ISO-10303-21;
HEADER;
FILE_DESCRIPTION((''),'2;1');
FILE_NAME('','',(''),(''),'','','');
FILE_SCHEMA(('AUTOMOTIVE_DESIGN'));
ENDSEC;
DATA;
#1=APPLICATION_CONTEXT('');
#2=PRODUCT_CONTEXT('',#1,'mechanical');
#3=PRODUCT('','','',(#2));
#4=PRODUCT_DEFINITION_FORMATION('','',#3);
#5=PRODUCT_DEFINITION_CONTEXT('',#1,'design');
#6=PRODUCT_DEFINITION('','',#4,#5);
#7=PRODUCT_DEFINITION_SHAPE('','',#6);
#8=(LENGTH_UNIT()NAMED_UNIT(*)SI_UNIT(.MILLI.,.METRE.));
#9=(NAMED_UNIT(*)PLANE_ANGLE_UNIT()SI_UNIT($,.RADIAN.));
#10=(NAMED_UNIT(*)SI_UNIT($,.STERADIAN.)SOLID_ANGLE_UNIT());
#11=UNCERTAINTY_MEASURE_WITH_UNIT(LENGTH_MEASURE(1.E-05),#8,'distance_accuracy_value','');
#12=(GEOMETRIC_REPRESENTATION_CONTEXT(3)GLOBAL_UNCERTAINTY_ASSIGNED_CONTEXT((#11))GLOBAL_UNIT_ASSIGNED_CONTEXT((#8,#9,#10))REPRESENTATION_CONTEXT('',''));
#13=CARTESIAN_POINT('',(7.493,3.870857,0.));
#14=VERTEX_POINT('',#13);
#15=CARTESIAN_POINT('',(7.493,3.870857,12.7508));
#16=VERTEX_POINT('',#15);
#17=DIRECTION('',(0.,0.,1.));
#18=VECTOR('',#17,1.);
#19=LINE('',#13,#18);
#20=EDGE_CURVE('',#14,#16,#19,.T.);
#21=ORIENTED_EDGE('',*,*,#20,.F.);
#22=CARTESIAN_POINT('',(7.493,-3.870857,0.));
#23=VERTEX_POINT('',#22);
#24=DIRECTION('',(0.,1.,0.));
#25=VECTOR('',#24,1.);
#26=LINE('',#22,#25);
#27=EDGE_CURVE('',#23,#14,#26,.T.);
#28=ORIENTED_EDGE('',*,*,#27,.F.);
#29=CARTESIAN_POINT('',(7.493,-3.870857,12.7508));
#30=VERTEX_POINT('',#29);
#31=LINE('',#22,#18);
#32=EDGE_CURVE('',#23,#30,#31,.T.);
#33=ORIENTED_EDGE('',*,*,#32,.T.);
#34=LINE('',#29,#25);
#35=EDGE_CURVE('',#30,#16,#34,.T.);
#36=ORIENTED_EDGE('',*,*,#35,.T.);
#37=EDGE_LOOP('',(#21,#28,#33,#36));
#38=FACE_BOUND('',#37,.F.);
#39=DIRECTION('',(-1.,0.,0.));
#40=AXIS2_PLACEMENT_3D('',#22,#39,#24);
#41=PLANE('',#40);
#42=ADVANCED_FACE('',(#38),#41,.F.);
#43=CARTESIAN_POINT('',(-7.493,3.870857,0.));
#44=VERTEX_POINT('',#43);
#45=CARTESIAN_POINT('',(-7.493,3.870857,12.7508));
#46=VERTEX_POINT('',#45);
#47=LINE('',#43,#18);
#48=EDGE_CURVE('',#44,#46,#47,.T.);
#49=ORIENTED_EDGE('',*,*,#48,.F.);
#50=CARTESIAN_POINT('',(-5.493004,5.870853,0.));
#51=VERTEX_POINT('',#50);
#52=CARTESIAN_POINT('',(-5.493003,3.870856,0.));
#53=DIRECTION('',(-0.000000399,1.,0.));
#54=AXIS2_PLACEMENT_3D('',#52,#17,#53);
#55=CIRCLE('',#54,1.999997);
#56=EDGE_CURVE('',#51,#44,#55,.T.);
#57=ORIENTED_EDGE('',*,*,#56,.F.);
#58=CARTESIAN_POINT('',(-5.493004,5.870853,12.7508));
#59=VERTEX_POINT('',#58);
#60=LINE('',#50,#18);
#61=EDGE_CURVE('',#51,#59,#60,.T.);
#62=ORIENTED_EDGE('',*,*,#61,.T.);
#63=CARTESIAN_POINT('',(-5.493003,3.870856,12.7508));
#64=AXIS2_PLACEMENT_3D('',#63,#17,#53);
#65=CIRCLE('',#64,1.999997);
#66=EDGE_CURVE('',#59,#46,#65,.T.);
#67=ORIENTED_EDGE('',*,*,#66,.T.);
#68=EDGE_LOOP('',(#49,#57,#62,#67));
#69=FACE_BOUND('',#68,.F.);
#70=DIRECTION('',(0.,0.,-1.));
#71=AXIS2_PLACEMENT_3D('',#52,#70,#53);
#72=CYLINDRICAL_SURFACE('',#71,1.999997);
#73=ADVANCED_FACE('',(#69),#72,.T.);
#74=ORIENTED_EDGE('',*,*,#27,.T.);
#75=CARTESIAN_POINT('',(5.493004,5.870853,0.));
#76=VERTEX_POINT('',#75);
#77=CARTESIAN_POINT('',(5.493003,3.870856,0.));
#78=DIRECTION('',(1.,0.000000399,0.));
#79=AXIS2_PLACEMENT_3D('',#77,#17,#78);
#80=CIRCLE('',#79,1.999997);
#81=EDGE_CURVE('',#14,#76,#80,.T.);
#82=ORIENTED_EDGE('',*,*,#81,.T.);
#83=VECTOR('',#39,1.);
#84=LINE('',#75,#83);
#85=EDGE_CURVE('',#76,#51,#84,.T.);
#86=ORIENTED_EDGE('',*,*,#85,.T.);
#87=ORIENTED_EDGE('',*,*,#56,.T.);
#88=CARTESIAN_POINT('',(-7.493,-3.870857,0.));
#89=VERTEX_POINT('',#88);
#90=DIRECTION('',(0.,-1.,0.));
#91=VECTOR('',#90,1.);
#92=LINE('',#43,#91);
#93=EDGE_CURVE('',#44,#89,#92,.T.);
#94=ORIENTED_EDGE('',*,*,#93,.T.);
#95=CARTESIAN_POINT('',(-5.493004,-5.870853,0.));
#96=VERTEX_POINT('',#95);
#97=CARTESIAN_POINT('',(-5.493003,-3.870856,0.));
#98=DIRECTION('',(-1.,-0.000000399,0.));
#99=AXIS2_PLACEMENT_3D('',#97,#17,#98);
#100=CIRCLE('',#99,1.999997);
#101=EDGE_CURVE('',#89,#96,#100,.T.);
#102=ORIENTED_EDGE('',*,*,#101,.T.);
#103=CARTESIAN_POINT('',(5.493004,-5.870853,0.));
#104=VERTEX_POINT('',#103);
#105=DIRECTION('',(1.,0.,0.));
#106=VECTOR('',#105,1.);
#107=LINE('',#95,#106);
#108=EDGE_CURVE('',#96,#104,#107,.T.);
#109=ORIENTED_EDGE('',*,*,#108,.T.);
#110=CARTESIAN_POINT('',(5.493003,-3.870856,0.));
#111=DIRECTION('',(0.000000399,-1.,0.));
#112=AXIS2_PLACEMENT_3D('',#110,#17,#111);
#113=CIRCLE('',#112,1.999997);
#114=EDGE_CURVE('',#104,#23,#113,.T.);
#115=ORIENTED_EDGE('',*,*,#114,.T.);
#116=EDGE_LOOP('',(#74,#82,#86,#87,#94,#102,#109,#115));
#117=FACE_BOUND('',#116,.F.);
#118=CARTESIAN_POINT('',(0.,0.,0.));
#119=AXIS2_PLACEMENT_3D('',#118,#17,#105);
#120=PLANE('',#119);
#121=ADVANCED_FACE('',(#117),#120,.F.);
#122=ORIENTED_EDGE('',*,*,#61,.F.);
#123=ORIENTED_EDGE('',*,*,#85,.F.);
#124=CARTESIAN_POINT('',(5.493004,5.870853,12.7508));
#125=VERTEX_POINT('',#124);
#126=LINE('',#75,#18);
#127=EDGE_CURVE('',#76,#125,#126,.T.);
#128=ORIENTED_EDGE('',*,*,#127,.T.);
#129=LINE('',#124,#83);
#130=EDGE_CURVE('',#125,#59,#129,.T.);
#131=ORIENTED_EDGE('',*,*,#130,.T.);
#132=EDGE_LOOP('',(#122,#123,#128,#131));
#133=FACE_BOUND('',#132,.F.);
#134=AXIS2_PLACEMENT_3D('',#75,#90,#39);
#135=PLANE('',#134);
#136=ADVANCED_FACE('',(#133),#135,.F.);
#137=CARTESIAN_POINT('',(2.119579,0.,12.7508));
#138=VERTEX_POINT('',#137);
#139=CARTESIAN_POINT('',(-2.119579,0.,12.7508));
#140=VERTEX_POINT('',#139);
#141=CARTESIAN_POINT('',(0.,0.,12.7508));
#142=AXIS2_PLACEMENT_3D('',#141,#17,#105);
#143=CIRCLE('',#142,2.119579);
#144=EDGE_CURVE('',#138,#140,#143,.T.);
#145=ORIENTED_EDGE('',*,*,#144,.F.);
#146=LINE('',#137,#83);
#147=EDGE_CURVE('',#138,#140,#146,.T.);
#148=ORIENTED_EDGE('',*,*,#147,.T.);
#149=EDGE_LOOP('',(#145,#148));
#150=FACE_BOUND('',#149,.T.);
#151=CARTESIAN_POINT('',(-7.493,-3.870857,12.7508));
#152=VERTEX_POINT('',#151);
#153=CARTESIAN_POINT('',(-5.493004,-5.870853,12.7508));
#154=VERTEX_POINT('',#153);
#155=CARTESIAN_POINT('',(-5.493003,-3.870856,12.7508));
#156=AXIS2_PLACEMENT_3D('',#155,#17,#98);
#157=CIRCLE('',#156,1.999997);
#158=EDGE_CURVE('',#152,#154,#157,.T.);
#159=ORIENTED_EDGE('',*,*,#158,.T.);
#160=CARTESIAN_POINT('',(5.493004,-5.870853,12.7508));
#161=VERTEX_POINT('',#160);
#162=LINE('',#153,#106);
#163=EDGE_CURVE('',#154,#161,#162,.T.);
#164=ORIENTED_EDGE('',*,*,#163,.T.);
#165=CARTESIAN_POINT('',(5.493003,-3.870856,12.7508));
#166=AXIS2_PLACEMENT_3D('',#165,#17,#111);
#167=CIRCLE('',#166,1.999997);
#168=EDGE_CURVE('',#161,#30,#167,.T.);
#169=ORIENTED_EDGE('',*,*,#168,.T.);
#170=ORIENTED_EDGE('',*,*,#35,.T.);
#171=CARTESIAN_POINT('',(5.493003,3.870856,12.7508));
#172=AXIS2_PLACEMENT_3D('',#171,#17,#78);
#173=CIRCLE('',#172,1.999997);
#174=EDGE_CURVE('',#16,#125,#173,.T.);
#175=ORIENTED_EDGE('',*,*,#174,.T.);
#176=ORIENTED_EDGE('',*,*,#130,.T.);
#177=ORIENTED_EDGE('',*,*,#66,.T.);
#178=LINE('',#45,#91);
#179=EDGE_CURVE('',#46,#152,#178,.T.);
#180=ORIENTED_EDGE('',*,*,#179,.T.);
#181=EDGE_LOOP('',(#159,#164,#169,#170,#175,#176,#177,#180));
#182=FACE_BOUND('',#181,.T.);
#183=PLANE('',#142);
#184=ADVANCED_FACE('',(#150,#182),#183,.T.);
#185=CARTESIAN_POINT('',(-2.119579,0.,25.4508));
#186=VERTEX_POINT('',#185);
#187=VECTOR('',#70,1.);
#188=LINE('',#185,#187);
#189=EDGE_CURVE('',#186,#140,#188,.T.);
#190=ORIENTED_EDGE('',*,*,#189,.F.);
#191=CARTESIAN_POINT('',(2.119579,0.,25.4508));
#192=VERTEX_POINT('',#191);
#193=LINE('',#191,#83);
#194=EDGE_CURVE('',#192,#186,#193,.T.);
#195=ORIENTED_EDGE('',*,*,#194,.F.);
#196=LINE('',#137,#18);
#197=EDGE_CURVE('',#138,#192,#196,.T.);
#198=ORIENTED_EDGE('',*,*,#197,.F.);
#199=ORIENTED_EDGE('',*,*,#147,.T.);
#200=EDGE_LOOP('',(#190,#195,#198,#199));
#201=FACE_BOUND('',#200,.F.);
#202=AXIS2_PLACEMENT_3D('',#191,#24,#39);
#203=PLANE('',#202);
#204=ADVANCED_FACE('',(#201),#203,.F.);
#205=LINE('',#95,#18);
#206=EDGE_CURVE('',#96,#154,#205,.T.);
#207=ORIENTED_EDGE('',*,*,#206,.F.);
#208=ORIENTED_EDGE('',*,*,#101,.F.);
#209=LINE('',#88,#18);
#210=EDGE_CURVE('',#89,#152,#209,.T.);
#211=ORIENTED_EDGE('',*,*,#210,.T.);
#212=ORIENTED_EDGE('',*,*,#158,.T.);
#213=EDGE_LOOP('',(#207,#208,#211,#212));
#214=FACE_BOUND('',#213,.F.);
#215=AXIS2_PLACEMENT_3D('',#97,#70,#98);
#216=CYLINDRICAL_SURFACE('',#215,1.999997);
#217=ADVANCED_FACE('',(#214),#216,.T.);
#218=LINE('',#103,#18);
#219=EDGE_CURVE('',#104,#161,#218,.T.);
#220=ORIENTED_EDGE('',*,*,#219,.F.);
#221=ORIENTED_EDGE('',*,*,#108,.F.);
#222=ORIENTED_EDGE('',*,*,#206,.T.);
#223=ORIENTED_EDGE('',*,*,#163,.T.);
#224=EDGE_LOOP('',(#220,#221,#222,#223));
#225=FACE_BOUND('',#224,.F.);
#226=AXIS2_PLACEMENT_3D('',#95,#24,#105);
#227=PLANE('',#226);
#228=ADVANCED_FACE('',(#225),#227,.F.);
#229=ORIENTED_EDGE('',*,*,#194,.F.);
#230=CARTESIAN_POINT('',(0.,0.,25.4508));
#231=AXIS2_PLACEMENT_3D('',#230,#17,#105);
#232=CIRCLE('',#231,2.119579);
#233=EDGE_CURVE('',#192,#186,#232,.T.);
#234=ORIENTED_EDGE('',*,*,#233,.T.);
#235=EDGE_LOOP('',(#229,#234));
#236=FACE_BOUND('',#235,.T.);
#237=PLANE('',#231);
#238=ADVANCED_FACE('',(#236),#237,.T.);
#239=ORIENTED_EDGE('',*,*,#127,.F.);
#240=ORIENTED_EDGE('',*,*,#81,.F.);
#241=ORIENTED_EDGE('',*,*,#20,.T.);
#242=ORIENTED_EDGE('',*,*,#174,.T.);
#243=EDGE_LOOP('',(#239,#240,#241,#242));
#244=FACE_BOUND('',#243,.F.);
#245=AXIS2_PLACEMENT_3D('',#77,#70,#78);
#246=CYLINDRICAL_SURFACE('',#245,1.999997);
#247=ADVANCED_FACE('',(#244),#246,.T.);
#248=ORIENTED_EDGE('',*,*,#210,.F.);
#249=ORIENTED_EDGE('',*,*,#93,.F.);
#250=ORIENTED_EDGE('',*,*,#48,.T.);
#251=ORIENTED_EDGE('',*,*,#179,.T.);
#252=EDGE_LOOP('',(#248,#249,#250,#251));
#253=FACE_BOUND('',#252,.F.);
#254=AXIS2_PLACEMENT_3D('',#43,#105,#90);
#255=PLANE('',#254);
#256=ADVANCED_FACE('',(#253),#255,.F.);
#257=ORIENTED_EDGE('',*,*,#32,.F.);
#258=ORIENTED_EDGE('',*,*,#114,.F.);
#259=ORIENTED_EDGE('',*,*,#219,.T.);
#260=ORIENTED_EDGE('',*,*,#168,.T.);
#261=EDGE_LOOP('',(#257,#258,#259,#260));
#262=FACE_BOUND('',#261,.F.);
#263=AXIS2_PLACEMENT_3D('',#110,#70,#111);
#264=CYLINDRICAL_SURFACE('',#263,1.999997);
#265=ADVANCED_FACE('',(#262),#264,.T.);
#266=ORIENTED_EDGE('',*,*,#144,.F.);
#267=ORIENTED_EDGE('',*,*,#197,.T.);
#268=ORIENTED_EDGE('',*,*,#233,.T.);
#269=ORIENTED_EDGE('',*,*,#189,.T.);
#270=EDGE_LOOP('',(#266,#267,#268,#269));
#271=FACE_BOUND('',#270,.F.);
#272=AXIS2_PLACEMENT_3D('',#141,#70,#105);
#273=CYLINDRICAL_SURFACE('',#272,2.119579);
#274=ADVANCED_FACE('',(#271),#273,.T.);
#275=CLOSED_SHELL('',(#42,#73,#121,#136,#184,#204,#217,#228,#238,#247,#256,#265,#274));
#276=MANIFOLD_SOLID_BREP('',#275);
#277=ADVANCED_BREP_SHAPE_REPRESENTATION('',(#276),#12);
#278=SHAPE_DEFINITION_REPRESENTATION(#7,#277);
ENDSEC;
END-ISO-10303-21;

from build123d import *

# Parameters (mm, degrees)
F1_DEPTH = 12.7508
F2_R     = 2.119579
F3_DEPTH = 12.7
F5_DEPTH = 12.7


with BuildPart() as f1:
    # F0 (on Top) → F1 (new body)
    with BuildSketch(Plane.XY):
        with BuildLine():
            Line((5.493004, 5.870853), (-5.493004, 5.870853))
            ThreePointArc((-5.493004, 5.870853), (-6.907215, 5.285067), (-7.493, 3.870857))
            Line((-7.493, 3.870857), (-7.493, -3.870857))
            ThreePointArc((-7.493, -3.870857), (-6.907215, -5.285067), (-5.493004, -5.870853))
            Line((-5.493004, -5.870853), (5.493004, -5.870853))
            ThreePointArc((5.493004, -5.870853), (6.907215, -5.285067), (7.493, -3.870857))
            Line((7.493, -3.870857), (7.493, 3.870857))
            ThreePointArc((7.493, 3.870857), (6.907215, 5.285067), (5.493004, 5.870853))
        make_face()
    extrude(amount=F1_DEPTH)

    # F2 (on face) → F3 (join)
    with BuildSketch(Plane.XY.offset(12.7508)):
        Circle(F2_R)
    extrude(amount=F3_DEPTH)

    # F4 (on face) → F5 (cut)
    with BuildSketch(Plane.XY.offset(25.4508)):
        with BuildLine():
            Line((2.119579, 0), (0, 0))
            Line((0, 0), (-2.119579, 0))
            ThreePointArc((-2.119579, 0), (0, -2.119579), (2.119579, 0))
        make_face()
    extrude(amount=-F5_DEPTH, mode=Mode.SUBTRACT)


solid = f1.part
